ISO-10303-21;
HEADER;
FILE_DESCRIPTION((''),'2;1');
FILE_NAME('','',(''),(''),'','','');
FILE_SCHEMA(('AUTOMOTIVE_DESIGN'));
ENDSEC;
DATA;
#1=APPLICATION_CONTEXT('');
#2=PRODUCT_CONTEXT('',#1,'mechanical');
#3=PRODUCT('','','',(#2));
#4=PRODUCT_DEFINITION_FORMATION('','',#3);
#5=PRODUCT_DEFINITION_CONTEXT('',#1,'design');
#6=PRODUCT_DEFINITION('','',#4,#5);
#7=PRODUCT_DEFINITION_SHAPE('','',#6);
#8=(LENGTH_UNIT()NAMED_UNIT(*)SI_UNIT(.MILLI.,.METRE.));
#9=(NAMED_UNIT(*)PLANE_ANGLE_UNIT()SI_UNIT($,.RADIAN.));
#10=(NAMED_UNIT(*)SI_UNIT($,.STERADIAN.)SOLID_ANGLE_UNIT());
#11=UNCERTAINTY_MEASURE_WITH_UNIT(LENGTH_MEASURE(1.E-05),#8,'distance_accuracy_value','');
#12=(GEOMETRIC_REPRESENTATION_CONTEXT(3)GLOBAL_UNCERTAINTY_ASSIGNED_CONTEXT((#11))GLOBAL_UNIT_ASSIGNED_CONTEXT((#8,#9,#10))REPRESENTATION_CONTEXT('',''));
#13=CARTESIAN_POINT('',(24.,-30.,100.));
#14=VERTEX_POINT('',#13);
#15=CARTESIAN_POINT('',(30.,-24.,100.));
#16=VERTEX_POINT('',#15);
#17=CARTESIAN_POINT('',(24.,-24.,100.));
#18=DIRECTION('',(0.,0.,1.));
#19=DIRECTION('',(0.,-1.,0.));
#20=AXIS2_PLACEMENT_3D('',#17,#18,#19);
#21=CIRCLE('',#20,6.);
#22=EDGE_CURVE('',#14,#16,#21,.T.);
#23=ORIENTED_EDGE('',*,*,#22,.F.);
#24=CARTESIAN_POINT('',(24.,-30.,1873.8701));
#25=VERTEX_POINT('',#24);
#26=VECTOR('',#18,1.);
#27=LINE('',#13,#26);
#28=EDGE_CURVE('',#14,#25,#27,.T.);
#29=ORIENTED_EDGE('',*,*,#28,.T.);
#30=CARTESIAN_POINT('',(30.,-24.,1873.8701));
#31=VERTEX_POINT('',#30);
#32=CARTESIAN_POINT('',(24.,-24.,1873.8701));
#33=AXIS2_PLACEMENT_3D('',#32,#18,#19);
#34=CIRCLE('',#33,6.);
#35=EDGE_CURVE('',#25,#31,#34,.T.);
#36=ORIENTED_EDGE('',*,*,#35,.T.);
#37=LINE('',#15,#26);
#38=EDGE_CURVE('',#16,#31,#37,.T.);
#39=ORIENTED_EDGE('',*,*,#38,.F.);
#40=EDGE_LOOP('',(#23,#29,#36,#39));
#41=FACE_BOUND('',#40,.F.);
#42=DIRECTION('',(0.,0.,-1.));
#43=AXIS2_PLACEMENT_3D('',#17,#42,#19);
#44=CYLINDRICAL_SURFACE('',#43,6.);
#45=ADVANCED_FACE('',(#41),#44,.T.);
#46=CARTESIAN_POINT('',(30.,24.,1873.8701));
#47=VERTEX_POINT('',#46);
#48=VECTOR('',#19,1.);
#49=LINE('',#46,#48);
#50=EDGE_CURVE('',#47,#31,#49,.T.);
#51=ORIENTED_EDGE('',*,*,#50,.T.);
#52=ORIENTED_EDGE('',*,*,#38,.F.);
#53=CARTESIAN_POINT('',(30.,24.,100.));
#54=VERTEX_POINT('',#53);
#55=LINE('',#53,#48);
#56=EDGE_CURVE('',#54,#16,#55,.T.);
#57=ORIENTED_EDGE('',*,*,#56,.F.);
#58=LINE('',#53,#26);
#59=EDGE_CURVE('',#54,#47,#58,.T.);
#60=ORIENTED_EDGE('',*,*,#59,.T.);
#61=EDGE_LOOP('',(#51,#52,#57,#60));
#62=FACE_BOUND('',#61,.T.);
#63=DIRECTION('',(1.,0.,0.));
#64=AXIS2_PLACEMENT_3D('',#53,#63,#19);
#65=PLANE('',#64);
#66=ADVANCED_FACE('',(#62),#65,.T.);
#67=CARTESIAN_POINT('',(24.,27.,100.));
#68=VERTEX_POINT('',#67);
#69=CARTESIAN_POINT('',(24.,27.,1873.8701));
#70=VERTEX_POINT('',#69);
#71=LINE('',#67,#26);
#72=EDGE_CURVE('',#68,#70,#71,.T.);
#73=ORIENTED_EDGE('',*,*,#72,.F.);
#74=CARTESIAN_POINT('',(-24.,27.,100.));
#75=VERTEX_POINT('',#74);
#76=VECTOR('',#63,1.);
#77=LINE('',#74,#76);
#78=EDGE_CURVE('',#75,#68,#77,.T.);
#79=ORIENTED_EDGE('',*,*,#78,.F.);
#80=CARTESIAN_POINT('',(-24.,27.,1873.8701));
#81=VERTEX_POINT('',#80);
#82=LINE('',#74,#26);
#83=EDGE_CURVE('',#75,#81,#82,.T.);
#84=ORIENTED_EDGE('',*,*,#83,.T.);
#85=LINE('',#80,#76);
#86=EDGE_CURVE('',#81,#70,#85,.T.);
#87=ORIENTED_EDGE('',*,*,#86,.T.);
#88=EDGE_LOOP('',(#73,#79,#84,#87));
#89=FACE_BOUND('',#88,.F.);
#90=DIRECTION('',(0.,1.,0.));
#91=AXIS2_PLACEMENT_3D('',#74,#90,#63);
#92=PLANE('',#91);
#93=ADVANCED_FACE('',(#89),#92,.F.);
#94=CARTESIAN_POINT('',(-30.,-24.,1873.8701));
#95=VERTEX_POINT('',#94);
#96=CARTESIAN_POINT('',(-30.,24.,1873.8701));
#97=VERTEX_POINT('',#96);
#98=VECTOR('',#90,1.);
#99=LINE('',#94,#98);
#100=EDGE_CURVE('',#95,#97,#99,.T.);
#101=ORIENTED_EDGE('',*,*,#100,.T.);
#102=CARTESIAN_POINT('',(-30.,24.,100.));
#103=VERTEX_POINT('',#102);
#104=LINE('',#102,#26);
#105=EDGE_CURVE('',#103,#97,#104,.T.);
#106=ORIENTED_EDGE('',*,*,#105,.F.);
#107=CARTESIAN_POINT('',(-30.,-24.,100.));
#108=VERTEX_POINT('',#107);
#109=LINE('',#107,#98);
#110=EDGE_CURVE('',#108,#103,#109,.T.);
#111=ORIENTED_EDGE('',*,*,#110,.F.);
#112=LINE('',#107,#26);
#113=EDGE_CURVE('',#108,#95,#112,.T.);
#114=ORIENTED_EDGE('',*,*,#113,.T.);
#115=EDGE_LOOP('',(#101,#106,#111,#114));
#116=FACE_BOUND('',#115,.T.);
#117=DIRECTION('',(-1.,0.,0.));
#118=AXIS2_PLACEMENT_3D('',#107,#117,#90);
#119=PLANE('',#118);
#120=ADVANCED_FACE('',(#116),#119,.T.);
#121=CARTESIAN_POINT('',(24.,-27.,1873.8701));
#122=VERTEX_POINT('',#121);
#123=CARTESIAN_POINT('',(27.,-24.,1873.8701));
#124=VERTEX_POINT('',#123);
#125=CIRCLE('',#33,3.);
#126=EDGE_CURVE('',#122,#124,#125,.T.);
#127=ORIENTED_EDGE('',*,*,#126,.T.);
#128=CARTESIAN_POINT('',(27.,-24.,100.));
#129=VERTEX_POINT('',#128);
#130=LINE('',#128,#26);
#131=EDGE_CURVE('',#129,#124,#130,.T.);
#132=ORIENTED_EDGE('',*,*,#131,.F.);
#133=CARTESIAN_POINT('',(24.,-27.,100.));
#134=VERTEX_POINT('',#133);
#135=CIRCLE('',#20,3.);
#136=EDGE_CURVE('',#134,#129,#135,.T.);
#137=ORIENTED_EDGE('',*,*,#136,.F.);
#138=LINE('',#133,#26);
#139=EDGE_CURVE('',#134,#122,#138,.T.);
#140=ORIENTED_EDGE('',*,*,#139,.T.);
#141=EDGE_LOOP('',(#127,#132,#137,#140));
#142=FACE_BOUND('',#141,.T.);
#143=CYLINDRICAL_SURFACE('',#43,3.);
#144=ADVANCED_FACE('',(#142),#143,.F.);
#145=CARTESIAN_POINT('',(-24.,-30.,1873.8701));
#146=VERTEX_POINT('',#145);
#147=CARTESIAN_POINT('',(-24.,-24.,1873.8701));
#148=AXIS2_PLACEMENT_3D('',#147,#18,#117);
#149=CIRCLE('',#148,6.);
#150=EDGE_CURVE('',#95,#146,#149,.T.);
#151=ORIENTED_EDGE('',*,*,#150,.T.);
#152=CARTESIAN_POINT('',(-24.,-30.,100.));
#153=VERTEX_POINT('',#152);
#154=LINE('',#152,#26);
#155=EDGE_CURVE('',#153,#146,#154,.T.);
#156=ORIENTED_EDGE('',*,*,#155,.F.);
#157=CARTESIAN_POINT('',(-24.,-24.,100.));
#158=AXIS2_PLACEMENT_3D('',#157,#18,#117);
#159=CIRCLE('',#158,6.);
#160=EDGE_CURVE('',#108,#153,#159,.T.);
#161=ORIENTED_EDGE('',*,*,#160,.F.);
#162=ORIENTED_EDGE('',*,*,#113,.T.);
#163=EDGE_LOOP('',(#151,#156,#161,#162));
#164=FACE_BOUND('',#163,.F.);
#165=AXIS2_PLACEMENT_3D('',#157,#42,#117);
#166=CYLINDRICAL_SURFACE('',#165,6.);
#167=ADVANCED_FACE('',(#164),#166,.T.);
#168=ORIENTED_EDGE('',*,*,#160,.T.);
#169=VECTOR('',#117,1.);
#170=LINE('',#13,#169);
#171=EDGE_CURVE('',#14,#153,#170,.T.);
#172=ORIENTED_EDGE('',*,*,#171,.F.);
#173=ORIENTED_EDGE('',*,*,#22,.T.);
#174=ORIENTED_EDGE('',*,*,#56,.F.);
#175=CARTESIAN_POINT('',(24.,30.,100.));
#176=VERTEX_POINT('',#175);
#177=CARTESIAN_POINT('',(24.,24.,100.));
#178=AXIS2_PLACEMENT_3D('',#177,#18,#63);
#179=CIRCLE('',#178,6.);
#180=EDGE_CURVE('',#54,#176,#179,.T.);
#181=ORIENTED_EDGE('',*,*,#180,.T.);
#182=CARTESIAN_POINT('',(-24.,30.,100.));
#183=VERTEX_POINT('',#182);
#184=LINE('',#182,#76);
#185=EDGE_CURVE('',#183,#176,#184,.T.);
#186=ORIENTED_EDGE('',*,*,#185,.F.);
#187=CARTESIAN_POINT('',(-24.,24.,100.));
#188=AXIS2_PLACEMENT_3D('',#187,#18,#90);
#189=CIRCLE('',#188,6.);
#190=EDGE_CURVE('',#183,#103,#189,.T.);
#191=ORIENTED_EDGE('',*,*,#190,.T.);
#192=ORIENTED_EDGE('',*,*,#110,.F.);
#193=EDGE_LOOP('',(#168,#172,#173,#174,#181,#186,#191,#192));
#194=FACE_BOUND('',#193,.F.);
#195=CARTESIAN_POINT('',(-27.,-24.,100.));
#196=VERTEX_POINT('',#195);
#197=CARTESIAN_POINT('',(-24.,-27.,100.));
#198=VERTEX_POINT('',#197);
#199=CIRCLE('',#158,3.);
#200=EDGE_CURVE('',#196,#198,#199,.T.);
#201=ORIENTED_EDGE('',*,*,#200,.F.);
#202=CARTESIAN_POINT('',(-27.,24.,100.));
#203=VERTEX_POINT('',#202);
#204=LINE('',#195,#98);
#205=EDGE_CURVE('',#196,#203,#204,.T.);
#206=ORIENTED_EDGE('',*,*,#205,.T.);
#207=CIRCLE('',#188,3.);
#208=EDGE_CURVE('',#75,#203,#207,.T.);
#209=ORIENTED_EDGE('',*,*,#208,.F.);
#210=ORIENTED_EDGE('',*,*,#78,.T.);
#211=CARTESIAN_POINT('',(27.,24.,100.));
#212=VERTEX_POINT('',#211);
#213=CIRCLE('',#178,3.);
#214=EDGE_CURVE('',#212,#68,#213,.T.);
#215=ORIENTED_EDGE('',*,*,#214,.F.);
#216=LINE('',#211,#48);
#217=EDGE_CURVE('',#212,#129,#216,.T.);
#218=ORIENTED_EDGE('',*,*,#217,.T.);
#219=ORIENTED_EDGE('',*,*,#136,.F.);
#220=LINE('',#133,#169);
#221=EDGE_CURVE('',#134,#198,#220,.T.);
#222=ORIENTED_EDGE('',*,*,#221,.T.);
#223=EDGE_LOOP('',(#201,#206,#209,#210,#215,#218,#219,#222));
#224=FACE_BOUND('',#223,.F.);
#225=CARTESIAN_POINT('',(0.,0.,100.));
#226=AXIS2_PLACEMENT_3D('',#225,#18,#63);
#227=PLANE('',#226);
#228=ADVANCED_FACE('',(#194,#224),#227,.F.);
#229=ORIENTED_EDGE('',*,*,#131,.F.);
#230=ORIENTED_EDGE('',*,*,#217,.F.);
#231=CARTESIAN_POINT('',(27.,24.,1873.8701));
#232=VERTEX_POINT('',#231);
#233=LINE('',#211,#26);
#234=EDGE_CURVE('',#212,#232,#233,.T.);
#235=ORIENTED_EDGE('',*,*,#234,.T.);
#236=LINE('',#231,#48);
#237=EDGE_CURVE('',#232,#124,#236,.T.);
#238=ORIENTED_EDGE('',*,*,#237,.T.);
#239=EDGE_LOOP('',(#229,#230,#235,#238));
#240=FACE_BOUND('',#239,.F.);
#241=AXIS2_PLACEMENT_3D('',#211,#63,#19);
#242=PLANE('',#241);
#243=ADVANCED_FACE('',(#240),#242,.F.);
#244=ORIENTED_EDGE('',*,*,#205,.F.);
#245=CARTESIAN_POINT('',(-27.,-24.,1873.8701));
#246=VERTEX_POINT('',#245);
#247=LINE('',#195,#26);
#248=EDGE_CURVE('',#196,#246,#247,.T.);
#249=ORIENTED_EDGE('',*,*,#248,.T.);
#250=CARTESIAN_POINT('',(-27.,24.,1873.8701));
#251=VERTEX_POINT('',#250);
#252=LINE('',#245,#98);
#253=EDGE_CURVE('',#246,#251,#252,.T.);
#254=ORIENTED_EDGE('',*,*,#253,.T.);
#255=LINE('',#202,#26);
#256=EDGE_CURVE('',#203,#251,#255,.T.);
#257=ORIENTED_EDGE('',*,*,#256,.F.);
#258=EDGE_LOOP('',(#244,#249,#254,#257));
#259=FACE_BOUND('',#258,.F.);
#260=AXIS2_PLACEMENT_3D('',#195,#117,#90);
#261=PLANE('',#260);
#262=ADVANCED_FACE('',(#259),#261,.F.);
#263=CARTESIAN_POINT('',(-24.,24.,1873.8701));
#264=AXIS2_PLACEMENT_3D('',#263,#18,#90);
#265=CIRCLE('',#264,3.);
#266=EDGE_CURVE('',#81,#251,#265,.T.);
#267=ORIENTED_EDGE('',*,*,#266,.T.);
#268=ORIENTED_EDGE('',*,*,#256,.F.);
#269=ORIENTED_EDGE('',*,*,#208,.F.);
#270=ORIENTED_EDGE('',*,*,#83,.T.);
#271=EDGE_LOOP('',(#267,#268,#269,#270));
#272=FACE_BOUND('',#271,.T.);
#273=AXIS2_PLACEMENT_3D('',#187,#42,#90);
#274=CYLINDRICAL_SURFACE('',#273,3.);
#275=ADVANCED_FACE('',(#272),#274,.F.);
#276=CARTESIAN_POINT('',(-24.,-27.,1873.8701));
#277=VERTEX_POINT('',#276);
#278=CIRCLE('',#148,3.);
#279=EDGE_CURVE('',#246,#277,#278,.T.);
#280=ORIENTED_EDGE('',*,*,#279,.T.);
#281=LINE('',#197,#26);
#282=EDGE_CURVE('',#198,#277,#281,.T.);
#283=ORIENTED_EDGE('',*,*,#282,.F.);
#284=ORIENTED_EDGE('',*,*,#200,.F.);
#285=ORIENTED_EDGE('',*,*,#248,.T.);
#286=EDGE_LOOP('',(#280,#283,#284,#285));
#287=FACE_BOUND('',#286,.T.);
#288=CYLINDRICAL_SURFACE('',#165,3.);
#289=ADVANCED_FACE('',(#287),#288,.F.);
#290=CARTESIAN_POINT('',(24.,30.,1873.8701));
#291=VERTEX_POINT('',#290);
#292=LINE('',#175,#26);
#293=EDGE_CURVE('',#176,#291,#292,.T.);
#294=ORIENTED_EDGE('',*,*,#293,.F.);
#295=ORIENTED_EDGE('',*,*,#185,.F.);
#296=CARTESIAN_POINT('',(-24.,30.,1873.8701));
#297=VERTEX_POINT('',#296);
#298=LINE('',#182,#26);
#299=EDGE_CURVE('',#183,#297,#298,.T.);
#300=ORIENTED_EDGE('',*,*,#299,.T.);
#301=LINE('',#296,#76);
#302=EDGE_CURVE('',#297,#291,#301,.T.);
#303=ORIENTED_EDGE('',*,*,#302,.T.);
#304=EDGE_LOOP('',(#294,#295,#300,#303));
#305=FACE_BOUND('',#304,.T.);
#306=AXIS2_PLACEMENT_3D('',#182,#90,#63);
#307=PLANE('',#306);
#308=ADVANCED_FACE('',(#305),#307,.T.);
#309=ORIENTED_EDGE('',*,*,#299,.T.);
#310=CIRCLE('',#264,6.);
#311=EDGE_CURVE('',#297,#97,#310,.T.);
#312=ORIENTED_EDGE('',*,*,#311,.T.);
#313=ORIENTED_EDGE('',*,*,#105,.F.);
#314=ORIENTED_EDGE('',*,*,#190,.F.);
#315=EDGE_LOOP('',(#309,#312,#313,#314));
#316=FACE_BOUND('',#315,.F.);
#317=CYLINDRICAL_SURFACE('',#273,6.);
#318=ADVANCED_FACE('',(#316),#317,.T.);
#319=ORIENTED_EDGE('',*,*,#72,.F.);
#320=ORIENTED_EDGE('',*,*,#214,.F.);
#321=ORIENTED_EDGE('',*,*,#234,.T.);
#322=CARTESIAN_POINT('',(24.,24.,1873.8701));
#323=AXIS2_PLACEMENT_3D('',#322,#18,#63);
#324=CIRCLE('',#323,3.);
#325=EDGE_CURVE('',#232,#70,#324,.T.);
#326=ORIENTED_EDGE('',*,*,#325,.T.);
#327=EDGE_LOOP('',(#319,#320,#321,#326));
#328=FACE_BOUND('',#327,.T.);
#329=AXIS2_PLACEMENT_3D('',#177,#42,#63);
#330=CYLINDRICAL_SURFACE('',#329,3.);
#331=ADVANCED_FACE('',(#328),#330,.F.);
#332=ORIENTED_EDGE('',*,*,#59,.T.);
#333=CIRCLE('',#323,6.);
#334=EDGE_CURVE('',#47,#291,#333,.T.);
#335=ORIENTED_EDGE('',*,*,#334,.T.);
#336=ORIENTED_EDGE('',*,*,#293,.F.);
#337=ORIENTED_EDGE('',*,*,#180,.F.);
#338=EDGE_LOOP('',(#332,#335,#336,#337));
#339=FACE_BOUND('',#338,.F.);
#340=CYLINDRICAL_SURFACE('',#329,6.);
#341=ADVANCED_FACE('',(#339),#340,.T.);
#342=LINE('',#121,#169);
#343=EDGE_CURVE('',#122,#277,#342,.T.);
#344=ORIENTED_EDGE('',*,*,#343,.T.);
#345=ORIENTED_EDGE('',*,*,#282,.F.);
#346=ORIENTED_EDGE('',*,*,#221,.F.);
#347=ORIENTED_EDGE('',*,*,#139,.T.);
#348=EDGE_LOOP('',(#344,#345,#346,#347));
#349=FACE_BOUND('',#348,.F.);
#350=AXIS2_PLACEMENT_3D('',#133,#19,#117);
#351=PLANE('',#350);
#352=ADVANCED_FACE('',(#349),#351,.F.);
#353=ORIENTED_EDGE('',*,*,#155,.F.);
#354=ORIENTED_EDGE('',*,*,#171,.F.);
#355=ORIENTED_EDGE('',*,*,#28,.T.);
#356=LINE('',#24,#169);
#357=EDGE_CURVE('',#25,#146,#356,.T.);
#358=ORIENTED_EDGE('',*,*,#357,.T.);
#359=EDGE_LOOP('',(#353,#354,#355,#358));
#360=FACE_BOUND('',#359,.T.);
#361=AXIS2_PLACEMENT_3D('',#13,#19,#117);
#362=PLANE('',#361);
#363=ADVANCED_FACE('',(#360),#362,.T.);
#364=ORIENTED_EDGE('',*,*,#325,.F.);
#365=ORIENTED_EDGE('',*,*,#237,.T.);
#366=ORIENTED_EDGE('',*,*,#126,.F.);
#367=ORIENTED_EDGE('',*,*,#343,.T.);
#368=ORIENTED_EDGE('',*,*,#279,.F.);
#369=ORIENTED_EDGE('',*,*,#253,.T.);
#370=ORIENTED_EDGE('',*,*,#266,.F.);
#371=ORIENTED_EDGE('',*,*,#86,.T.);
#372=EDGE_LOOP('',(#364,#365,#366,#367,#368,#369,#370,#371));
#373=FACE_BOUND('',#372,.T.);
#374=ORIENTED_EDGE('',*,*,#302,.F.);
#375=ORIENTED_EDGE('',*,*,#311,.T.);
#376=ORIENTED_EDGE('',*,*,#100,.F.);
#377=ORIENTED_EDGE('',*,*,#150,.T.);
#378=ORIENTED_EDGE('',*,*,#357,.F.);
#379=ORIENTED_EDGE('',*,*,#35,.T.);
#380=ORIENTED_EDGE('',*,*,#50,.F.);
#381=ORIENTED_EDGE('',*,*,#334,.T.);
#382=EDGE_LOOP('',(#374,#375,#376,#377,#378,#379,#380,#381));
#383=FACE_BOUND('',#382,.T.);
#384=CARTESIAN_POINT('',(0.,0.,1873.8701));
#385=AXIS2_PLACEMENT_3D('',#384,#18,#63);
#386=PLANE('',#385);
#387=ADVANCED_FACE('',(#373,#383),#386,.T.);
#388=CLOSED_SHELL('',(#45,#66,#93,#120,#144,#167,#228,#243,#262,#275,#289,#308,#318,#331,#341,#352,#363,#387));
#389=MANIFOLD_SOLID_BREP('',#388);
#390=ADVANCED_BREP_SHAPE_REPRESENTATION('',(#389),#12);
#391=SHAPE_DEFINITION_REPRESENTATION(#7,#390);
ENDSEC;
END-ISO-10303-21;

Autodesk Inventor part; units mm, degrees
ref_plane "YZ Plane" through (0, 0, 0) normal (1, 0, 0) x (0, 1, 0)
ref_plane "Start Plane" through (0, 0, 100) normal (0, 0, 1) x (1, 0, 0)
ref_plane "End Plane" through (0, 0, 1873.8701) normal (0, 0, 1) x (1, 0, 0)
sketch "Sketch" plane through (0, 0, 0) normal (0, 0, 1) x (1, 0, 0)
  line L0 (-30, -24) -> (-30, 24)
  line L1 (-24, 30) -> (24, 30)
  line L2 (30, 24) -> (30, -24)
  line L3 (24, -30) -> (-24, -30)
  arc A0 (-30, -24) -> (-24, -30) centre (-24, -24) ccw
  arc A1 (30, 24) -> (24, 30) centre (24, 24) ccw
  arc A2 (-24, 30) -> (-30, 24) centre (-24, 24) ccw
  arc A3 (24, -30) -> (30, -24) centre (24, -24) ccw
  arc A4 (-24, 27) -> (-27, 24) centre (-24, 24) ccw
  line L4 (-24, 27) -> (24, 27)
  arc A5 (27, 24) -> (24, 27) centre (24, 24) ccw
  line L5 (27, 24) -> (27, -24)
  arc A6 (24, -27) -> (27, -24) centre (24, -24) ccw
  line L6 (24, -27) -> (-24, -27)
  arc A7 (-27, -24) -> (-24, -27) centre (-24, -24) ccw
  line L7 (-27, -24) -> (-27, 24)
  line L8 (0, 43.7397) -> (0, -43.7397) construction
  line L9 (-43.7397, 0) -> (43.7397, 0) construction
  dimension "d7" = 6
  dimension "d9" = 60
  dimension "d11" = 60
  dimension "d12" = 3
  dimension "d15" = 30
  dimension "d16" = 30
extrude "Body" add sketch "Sketch" along normal up to surface (1773.8701 mm away) from surface at 100
sketch "Sketch3" plane through (0, 0, 0) normal (0, 0, 1) x (1, 0, 0)
  line L0 (0, 0) -> (10, 0)
ref_plane "Work Plane3" through (0, 0, 0) normal (0, -1, 0) x (1, 0, 0)
sketch "Sketch4" plane through (0, 0, 0) normal (0, -1, 0) x (1, 0, 0)
  line L0 (-2, 100) -> (12, 100) projected
  line L1 (-2, 1873.8701) -> (12, 1873.8701) projected
  dimension "d18" = 1773.8701
equation "\"d7\" = G_IR"
equation "\"d9\" = G_W"
equation "\"d11\" = G_H"
equation "\"d12\" = G_T"
equation "\"d15\" = 0.5 * d9"
equation "\"d16\" = 0.5 * d11"
equation "\"d3\" = G_L"
equation "\"G_W\" = 60"
equation "\"G_H\" = 60"
equation "\"G_T\" = 3"
equation "\"G_IR\" = 6"
equation "\"G_L\" = d18"
equation "\"G_OFFSET_END\" = 0"
equation "\"d14\" = G_OFFSET_END + B_L"
equation "\"B_L\" = 1873.87008"
properties part number "ISO 10799-2 - 60x60x3 - 1773.87" material "Steel, Mild"
